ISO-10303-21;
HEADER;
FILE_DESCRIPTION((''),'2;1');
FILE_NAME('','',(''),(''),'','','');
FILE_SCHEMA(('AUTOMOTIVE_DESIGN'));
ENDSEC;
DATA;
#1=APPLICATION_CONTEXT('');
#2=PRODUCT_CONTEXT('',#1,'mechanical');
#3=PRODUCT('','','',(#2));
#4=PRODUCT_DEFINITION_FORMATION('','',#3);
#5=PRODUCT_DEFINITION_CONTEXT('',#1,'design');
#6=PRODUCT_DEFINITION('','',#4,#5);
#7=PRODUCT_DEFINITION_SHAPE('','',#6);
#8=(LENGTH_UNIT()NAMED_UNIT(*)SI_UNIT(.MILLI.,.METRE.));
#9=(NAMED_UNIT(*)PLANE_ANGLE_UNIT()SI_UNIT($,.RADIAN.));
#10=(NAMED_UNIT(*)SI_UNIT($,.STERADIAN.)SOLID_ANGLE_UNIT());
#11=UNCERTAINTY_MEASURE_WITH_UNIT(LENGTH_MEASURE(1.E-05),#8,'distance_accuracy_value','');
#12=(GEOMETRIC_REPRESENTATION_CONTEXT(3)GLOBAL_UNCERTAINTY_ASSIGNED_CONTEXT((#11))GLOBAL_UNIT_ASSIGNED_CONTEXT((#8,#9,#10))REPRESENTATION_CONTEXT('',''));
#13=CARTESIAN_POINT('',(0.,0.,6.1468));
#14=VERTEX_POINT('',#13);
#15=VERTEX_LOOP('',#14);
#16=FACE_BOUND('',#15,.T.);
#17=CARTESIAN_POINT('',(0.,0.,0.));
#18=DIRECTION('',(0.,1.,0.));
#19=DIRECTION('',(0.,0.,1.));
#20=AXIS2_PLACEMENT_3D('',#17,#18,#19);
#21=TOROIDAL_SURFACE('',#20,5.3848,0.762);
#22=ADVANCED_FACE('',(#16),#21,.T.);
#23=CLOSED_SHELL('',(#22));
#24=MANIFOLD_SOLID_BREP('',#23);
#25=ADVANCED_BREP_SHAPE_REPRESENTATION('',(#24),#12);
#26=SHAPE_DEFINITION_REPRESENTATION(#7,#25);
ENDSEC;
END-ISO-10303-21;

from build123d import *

# Parameters (mm, degrees)
SKETCH1_R = 0.762


with BuildPart() as part:
    # Sketch1 → Revolve1 (revolve)
    with BuildSketch(Plane.XY):
        with Locations((5.3848, 0)):
            Circle(SKETCH1_R)
    revolve(axis=Axis((0, 0, 0), (0, -1, 0)))


solid = part.part
